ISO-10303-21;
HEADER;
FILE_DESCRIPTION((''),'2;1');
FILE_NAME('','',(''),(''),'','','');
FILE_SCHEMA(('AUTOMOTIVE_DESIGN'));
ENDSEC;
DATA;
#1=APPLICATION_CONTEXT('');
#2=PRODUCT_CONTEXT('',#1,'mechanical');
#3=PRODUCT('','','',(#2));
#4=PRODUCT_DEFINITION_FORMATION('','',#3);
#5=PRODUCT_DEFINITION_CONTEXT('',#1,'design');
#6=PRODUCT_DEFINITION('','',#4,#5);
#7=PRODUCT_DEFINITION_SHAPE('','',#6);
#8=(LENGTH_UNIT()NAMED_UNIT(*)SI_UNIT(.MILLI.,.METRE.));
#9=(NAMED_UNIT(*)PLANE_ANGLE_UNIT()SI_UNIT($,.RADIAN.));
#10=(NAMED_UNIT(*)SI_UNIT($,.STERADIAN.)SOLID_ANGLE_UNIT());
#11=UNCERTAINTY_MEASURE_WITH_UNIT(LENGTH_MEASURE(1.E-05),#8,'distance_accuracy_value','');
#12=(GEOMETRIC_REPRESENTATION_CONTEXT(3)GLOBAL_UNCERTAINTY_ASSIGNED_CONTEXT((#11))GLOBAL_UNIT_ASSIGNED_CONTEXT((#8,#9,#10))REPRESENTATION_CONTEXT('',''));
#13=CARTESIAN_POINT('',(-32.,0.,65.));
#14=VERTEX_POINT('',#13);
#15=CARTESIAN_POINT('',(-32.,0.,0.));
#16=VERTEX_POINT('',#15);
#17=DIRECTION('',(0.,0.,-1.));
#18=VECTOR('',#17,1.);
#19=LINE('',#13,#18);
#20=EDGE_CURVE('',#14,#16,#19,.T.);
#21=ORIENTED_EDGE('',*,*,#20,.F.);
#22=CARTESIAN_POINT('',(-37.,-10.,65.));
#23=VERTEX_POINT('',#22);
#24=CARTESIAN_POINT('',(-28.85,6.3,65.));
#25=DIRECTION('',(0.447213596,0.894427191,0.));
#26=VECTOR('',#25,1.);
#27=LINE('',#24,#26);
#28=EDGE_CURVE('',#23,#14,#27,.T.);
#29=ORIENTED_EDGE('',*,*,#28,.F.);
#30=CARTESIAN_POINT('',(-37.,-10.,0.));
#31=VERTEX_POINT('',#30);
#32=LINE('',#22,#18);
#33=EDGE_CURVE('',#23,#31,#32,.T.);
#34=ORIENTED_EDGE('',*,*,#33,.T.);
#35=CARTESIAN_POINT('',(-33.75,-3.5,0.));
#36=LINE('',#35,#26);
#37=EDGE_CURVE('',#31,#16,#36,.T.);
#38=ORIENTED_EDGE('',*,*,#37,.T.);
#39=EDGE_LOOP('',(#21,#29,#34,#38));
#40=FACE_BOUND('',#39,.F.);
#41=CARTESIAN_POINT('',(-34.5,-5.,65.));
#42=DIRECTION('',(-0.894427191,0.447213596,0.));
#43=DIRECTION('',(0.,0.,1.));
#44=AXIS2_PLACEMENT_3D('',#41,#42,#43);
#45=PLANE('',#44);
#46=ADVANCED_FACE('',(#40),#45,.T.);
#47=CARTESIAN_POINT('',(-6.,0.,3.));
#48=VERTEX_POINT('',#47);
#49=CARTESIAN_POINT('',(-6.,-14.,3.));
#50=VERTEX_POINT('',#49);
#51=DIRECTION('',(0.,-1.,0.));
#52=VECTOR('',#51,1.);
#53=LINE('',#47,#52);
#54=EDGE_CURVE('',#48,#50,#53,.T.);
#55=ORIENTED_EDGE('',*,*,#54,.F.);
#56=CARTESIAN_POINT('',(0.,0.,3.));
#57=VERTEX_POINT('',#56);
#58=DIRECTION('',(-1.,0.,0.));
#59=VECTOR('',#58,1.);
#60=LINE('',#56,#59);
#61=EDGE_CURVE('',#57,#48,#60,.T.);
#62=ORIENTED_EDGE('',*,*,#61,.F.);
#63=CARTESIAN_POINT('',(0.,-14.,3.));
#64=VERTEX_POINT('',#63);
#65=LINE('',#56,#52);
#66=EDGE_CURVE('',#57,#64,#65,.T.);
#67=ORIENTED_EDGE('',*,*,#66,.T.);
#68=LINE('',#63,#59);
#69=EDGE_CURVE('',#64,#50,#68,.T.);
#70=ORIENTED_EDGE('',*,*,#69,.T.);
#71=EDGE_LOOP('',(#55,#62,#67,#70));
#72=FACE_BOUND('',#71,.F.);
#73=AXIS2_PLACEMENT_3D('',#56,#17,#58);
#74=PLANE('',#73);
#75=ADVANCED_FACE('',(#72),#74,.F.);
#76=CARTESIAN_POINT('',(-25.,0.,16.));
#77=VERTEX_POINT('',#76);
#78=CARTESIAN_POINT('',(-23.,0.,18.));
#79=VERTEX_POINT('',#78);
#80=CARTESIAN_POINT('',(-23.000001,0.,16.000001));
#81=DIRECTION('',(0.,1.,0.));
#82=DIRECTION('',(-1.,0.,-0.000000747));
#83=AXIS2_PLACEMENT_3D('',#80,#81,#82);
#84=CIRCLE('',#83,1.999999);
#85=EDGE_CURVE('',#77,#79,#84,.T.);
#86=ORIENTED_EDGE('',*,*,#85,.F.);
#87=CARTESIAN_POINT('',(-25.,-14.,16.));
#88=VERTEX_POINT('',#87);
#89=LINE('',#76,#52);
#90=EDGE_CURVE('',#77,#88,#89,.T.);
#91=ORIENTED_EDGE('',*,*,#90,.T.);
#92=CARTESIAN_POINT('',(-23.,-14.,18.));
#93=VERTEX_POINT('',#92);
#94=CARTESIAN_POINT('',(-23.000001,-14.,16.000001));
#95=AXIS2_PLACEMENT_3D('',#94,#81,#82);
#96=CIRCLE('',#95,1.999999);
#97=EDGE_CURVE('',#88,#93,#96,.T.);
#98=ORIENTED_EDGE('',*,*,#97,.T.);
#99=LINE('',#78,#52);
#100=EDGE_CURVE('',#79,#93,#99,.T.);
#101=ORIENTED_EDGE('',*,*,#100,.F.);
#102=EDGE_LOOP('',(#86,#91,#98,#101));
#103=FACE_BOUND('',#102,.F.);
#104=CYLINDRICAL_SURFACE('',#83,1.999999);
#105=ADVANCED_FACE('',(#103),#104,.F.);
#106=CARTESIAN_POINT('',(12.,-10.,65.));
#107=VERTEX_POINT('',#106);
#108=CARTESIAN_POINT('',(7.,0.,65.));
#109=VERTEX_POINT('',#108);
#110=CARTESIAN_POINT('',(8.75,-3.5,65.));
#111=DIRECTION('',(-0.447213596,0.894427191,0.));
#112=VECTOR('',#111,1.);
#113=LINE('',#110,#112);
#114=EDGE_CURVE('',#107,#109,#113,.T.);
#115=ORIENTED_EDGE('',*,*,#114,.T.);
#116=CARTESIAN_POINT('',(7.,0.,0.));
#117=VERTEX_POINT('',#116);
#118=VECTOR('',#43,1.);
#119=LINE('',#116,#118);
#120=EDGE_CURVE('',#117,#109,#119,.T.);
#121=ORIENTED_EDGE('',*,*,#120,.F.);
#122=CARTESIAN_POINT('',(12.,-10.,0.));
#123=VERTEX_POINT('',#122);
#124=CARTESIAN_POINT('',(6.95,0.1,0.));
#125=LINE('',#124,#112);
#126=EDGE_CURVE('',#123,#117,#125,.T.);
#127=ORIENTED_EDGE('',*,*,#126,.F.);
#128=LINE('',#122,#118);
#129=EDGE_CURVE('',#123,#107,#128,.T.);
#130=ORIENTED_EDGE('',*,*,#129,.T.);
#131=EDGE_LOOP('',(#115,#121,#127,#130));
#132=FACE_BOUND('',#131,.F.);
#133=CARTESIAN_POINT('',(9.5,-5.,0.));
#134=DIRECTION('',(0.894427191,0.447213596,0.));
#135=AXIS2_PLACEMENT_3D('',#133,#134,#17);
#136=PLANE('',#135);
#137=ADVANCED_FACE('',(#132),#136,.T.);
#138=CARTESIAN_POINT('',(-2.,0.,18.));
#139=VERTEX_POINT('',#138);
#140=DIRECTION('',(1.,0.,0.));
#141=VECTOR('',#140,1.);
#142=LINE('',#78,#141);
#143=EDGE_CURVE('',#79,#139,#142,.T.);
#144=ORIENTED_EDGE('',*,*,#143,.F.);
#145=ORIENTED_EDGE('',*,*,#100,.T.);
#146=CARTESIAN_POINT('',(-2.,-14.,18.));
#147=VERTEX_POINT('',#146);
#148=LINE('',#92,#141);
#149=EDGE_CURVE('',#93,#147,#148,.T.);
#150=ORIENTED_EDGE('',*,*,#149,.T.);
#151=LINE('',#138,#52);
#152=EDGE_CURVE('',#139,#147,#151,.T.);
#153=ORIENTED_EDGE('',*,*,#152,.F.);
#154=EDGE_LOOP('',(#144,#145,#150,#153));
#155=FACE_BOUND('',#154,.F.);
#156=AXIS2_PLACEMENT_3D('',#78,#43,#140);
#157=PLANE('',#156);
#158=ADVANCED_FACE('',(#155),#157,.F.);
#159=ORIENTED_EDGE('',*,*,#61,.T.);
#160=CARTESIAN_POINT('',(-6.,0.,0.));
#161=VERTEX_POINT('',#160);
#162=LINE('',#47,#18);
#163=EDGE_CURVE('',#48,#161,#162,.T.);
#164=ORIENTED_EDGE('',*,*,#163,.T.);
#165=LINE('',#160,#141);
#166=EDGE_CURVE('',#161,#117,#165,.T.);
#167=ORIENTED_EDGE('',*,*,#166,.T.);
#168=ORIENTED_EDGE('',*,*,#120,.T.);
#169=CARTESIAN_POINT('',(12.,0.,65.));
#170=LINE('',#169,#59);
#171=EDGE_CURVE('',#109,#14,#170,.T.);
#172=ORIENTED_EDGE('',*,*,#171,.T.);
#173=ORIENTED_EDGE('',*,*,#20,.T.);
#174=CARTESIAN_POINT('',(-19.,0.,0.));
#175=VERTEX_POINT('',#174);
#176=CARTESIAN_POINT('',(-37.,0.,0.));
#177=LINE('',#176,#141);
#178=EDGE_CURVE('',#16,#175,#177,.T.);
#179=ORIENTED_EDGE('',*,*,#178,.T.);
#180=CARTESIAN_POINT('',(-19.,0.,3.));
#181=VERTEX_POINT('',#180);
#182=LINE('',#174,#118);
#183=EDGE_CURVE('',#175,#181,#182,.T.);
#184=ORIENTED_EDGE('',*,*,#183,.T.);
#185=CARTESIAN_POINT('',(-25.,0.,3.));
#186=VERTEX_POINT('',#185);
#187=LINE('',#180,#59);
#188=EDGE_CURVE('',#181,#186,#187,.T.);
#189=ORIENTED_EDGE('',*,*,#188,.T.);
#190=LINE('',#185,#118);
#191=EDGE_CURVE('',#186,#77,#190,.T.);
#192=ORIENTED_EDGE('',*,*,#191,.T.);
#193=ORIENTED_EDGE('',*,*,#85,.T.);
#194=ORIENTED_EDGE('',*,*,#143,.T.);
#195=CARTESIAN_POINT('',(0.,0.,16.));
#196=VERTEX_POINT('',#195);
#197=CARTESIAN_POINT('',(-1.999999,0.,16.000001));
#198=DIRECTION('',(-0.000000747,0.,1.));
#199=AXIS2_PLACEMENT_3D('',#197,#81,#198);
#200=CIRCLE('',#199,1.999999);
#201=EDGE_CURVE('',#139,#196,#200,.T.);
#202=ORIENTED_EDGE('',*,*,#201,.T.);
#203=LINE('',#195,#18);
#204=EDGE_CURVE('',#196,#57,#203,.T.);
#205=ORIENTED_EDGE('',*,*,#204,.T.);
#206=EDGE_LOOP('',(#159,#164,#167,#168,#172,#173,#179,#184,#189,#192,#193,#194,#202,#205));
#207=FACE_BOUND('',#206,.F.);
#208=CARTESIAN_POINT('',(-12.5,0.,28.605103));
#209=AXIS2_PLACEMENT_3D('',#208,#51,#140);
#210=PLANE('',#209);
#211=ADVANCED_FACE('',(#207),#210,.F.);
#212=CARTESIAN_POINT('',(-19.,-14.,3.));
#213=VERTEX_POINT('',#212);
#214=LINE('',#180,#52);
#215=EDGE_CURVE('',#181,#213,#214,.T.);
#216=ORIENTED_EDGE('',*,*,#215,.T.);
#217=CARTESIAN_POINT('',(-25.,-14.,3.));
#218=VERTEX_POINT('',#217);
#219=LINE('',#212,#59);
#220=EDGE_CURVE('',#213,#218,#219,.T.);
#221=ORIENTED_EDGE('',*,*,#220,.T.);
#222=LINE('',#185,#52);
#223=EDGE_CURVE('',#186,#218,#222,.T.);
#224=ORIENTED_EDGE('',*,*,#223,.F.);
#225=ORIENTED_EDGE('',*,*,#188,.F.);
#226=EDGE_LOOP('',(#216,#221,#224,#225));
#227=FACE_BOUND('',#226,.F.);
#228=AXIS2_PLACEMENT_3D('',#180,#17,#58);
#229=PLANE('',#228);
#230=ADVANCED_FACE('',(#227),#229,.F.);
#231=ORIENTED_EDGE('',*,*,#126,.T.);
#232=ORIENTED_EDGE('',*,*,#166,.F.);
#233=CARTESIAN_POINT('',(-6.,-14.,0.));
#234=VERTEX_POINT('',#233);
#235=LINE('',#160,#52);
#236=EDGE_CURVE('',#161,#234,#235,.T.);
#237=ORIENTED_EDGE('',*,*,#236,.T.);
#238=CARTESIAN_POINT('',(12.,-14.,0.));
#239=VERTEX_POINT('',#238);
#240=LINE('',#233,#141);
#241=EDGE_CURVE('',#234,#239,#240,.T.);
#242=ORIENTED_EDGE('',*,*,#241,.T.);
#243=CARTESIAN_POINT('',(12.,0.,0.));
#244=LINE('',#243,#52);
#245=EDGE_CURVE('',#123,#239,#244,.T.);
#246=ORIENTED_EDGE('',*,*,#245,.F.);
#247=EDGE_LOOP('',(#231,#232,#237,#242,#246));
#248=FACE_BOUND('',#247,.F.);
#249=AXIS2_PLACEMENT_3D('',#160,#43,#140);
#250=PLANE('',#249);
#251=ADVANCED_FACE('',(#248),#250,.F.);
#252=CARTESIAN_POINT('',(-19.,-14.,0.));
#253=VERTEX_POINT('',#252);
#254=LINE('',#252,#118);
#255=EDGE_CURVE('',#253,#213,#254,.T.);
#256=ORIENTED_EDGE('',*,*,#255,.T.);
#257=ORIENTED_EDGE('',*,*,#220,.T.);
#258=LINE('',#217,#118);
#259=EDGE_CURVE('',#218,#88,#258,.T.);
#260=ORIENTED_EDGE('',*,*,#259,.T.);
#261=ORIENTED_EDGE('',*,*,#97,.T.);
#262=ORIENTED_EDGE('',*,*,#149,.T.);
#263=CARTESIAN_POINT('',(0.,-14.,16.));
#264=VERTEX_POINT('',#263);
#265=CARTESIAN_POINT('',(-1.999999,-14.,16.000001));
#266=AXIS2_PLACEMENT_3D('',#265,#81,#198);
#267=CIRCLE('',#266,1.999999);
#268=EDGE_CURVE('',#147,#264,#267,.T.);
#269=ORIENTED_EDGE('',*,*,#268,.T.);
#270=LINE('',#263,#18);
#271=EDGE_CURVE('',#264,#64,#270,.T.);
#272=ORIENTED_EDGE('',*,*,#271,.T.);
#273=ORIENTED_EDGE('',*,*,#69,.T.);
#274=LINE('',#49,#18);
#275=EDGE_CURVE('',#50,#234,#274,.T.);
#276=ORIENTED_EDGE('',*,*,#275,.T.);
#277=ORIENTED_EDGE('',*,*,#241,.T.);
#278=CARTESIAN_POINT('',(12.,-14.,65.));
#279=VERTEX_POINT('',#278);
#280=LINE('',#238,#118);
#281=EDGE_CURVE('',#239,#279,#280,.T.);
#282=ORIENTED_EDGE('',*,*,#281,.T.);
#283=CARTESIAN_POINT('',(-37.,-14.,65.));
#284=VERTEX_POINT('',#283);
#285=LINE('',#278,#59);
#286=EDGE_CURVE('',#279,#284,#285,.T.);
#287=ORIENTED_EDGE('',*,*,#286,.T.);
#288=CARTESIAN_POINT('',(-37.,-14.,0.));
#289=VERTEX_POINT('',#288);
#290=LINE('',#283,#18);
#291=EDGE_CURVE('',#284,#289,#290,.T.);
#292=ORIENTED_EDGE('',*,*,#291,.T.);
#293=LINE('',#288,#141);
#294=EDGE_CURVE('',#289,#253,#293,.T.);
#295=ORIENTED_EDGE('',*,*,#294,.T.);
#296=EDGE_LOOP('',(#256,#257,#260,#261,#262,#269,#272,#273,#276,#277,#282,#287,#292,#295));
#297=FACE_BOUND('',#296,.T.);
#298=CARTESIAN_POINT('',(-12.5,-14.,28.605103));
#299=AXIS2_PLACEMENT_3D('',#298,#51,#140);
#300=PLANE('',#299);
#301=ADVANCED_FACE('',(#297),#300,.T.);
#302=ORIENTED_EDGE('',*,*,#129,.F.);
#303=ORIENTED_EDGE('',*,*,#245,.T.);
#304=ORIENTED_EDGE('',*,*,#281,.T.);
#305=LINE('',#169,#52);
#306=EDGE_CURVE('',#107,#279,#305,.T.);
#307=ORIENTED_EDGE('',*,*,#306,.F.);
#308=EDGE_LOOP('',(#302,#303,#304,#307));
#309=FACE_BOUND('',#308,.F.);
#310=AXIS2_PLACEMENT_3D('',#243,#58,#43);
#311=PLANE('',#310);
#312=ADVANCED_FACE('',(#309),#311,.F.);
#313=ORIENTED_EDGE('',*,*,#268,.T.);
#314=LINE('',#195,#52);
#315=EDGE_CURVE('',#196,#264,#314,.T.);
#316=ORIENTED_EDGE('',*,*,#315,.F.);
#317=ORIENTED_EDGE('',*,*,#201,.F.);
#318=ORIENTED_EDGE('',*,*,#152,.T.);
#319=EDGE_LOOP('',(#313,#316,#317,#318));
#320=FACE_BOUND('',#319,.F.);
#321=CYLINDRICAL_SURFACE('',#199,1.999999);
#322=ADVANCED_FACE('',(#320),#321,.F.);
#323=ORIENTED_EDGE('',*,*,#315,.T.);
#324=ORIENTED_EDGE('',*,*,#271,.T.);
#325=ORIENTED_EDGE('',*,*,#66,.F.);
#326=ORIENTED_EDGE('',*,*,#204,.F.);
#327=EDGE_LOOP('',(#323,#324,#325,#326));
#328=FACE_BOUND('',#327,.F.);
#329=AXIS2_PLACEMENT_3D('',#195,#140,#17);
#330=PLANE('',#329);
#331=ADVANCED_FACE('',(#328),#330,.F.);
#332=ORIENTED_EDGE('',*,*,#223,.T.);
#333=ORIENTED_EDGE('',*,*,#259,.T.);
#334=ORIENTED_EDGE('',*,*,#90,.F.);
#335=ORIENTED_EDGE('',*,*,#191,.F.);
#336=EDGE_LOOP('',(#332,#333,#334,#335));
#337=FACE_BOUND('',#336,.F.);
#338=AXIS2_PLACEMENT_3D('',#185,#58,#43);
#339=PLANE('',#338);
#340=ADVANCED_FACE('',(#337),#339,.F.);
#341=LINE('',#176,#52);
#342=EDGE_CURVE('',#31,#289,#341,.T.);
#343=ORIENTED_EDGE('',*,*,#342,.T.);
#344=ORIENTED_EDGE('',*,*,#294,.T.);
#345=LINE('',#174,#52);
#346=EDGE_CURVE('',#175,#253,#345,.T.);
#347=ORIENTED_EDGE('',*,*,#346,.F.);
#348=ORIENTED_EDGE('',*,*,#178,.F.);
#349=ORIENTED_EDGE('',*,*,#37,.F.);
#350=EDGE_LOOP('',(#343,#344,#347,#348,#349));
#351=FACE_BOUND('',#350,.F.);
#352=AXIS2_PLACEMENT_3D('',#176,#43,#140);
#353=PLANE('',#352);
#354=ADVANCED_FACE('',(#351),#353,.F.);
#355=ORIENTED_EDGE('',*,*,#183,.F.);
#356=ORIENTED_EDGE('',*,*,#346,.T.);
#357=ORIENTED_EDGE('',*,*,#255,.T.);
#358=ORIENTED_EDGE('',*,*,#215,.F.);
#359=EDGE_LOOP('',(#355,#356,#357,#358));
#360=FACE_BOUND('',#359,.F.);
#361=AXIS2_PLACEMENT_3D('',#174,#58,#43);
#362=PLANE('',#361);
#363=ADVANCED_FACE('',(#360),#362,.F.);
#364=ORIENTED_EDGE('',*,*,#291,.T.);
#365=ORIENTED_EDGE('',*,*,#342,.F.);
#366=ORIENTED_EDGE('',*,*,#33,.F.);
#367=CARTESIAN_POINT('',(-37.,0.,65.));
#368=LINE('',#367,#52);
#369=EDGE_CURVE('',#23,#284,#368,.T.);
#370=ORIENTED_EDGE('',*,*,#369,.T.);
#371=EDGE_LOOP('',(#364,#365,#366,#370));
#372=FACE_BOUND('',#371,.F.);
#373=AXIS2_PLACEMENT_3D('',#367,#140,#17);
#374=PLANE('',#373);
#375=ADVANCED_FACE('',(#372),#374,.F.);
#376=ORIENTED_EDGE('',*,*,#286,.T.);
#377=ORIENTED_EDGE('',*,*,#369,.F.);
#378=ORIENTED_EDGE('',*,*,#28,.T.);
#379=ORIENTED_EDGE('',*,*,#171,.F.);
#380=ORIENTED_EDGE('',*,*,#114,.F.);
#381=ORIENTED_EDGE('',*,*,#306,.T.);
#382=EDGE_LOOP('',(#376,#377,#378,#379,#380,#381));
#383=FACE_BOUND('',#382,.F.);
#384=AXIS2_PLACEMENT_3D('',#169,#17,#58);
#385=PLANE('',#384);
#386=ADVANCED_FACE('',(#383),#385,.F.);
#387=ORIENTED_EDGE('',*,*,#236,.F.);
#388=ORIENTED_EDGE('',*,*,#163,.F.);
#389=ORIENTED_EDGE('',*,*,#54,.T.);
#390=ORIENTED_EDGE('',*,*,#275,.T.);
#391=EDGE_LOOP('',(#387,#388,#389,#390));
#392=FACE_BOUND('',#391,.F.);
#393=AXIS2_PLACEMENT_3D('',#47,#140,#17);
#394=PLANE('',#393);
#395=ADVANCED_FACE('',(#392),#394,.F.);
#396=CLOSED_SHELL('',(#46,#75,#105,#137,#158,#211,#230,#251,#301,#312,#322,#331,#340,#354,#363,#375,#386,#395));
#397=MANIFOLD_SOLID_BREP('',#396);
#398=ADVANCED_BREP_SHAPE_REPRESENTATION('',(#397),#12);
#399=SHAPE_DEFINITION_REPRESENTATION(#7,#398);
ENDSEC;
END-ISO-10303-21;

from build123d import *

# Parameters (mm, degrees)
F1_DEPTH = 14
F2_SIZE2 = 5
F2_SIZE  = 10


with BuildPart() as f1:
    # F0 (on Front) → F1 (new body)
    with BuildSketch(Plane.XZ):
        with BuildLine():
            Line((-6, 0), (0, 0))
            Line((0, 0), (12, 0))
            Line((12, 0), (12, 65))
            Line((12, 65), (-37, 65))
            Line((-37, 65), (-37, 0))
            Line((-37, 0), (-25, 0))
            Line((-25, 0), (-19, 0))
            Line((-19, 0), (-19, 3))
            Line((-19, 3), (-25, 3))
            Line((-25, 3), (-25, 16))
            ThreePointArc((-25, 16), (-24.414214, 17.414214), (-23, 18))
            Line((-23, 18), (-2, 18))
            ThreePointArc((-2, 18), (-0.585786, 17.414214), (0, 16))
            Line((0, 16), (0, 3))
            Line((0, 3), (-6, 3))
            Line((-6, 3), (-6, 0))
        make_face()
    extrude(amount=F1_DEPTH)

    # F2
    f2_edges = [f1.edges().sort_by_distance(p)[0] for p in [
        (12, 0, 32.5),
        (-37, 0, 32.5),
    ]]
    chamfer(f2_edges, length=F2_SIZE, length2=F2_SIZE2)


solid = f1.part
